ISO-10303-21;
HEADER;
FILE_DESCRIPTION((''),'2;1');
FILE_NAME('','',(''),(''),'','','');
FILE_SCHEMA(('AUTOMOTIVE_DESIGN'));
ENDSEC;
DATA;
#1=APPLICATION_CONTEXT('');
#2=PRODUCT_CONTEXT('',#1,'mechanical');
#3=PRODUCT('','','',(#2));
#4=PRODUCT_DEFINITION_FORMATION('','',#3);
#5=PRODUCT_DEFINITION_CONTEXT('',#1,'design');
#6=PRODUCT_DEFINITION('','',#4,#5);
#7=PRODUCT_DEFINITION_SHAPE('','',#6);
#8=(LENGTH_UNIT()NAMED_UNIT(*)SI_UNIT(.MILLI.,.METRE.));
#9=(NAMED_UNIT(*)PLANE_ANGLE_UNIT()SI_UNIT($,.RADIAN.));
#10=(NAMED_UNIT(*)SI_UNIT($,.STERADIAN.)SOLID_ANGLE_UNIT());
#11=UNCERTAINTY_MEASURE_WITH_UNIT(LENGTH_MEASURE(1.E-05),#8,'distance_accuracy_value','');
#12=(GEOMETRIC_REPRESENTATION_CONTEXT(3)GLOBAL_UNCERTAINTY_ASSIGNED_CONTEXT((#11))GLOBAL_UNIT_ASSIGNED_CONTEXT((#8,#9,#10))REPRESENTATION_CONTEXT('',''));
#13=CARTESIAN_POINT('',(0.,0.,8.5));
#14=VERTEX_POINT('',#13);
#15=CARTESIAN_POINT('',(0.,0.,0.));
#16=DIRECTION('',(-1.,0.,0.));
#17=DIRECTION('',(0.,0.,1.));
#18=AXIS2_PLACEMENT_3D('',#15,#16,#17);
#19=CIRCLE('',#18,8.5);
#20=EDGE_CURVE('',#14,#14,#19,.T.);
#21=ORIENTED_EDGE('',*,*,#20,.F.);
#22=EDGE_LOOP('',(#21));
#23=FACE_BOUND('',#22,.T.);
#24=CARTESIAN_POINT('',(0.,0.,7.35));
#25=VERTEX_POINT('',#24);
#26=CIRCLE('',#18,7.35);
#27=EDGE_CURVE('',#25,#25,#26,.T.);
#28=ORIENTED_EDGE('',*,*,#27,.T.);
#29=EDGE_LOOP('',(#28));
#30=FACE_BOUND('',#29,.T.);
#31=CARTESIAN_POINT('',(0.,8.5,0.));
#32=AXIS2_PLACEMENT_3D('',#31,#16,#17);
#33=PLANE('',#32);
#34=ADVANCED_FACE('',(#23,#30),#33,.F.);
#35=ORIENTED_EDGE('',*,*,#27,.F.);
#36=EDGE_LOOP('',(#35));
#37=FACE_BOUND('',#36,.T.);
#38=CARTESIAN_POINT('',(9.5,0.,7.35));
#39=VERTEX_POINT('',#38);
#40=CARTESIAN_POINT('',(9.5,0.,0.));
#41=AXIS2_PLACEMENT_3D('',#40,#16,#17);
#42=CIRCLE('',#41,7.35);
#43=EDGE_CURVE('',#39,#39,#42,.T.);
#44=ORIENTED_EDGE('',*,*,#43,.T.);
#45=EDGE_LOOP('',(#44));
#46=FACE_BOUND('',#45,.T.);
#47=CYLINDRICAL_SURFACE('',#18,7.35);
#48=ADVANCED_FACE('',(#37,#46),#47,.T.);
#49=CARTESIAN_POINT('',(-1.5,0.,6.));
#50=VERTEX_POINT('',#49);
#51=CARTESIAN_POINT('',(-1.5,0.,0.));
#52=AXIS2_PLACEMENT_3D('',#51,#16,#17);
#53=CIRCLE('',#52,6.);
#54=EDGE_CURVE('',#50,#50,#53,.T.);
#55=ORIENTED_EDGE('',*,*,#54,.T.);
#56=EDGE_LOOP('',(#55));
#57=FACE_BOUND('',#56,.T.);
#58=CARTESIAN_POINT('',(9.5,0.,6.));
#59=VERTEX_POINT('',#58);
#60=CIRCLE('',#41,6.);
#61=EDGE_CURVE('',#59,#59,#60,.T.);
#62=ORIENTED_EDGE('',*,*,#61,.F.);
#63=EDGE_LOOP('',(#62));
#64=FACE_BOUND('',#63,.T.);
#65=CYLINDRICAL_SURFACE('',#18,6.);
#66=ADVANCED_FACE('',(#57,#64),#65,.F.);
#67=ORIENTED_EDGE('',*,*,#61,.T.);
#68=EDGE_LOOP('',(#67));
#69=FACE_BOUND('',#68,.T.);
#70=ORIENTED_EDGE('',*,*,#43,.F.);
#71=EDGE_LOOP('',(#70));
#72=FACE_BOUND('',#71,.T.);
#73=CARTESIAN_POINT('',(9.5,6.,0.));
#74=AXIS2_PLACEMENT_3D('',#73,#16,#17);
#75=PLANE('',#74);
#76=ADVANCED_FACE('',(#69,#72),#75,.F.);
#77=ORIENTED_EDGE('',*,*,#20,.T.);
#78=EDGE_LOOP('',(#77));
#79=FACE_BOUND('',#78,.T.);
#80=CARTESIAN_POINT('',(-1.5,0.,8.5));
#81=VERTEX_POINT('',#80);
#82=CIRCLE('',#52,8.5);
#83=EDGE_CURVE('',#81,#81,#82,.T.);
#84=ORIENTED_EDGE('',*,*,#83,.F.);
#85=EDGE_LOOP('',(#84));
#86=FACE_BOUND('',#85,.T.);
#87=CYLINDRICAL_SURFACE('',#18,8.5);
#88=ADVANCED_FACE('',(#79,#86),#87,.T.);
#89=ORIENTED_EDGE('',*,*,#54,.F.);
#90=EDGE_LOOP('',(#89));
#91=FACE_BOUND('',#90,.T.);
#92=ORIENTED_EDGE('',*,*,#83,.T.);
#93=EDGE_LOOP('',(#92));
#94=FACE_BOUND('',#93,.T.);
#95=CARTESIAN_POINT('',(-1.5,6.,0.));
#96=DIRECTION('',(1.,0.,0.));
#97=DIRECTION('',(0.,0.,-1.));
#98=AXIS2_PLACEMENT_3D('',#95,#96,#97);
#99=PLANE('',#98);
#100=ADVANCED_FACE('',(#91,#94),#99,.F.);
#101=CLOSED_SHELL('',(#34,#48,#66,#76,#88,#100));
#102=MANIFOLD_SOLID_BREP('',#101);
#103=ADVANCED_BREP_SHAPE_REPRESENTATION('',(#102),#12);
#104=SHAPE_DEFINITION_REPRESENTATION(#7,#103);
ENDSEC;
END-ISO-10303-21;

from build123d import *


with BuildPart() as part:
    # Sketch1 → Revolve1 (revolve)
    with BuildSketch(Plane.XY, mode=Mode.PRIVATE) as revolve1_sk:
        Polygon((-1.5, 6), (9.5, 6), (9.5, 7.35), (0, 7.35), (0, 8.5), (-1.5, 8.5), align=None)
    revolve(revolve1_sk.sketch.rotate(Axis((0, 0, 0), (1, 0, 0)), 90), axis=Axis((0, 0, 0), (1, 0, 0)))  # turned: the seam where the file's is


solid = part.part
